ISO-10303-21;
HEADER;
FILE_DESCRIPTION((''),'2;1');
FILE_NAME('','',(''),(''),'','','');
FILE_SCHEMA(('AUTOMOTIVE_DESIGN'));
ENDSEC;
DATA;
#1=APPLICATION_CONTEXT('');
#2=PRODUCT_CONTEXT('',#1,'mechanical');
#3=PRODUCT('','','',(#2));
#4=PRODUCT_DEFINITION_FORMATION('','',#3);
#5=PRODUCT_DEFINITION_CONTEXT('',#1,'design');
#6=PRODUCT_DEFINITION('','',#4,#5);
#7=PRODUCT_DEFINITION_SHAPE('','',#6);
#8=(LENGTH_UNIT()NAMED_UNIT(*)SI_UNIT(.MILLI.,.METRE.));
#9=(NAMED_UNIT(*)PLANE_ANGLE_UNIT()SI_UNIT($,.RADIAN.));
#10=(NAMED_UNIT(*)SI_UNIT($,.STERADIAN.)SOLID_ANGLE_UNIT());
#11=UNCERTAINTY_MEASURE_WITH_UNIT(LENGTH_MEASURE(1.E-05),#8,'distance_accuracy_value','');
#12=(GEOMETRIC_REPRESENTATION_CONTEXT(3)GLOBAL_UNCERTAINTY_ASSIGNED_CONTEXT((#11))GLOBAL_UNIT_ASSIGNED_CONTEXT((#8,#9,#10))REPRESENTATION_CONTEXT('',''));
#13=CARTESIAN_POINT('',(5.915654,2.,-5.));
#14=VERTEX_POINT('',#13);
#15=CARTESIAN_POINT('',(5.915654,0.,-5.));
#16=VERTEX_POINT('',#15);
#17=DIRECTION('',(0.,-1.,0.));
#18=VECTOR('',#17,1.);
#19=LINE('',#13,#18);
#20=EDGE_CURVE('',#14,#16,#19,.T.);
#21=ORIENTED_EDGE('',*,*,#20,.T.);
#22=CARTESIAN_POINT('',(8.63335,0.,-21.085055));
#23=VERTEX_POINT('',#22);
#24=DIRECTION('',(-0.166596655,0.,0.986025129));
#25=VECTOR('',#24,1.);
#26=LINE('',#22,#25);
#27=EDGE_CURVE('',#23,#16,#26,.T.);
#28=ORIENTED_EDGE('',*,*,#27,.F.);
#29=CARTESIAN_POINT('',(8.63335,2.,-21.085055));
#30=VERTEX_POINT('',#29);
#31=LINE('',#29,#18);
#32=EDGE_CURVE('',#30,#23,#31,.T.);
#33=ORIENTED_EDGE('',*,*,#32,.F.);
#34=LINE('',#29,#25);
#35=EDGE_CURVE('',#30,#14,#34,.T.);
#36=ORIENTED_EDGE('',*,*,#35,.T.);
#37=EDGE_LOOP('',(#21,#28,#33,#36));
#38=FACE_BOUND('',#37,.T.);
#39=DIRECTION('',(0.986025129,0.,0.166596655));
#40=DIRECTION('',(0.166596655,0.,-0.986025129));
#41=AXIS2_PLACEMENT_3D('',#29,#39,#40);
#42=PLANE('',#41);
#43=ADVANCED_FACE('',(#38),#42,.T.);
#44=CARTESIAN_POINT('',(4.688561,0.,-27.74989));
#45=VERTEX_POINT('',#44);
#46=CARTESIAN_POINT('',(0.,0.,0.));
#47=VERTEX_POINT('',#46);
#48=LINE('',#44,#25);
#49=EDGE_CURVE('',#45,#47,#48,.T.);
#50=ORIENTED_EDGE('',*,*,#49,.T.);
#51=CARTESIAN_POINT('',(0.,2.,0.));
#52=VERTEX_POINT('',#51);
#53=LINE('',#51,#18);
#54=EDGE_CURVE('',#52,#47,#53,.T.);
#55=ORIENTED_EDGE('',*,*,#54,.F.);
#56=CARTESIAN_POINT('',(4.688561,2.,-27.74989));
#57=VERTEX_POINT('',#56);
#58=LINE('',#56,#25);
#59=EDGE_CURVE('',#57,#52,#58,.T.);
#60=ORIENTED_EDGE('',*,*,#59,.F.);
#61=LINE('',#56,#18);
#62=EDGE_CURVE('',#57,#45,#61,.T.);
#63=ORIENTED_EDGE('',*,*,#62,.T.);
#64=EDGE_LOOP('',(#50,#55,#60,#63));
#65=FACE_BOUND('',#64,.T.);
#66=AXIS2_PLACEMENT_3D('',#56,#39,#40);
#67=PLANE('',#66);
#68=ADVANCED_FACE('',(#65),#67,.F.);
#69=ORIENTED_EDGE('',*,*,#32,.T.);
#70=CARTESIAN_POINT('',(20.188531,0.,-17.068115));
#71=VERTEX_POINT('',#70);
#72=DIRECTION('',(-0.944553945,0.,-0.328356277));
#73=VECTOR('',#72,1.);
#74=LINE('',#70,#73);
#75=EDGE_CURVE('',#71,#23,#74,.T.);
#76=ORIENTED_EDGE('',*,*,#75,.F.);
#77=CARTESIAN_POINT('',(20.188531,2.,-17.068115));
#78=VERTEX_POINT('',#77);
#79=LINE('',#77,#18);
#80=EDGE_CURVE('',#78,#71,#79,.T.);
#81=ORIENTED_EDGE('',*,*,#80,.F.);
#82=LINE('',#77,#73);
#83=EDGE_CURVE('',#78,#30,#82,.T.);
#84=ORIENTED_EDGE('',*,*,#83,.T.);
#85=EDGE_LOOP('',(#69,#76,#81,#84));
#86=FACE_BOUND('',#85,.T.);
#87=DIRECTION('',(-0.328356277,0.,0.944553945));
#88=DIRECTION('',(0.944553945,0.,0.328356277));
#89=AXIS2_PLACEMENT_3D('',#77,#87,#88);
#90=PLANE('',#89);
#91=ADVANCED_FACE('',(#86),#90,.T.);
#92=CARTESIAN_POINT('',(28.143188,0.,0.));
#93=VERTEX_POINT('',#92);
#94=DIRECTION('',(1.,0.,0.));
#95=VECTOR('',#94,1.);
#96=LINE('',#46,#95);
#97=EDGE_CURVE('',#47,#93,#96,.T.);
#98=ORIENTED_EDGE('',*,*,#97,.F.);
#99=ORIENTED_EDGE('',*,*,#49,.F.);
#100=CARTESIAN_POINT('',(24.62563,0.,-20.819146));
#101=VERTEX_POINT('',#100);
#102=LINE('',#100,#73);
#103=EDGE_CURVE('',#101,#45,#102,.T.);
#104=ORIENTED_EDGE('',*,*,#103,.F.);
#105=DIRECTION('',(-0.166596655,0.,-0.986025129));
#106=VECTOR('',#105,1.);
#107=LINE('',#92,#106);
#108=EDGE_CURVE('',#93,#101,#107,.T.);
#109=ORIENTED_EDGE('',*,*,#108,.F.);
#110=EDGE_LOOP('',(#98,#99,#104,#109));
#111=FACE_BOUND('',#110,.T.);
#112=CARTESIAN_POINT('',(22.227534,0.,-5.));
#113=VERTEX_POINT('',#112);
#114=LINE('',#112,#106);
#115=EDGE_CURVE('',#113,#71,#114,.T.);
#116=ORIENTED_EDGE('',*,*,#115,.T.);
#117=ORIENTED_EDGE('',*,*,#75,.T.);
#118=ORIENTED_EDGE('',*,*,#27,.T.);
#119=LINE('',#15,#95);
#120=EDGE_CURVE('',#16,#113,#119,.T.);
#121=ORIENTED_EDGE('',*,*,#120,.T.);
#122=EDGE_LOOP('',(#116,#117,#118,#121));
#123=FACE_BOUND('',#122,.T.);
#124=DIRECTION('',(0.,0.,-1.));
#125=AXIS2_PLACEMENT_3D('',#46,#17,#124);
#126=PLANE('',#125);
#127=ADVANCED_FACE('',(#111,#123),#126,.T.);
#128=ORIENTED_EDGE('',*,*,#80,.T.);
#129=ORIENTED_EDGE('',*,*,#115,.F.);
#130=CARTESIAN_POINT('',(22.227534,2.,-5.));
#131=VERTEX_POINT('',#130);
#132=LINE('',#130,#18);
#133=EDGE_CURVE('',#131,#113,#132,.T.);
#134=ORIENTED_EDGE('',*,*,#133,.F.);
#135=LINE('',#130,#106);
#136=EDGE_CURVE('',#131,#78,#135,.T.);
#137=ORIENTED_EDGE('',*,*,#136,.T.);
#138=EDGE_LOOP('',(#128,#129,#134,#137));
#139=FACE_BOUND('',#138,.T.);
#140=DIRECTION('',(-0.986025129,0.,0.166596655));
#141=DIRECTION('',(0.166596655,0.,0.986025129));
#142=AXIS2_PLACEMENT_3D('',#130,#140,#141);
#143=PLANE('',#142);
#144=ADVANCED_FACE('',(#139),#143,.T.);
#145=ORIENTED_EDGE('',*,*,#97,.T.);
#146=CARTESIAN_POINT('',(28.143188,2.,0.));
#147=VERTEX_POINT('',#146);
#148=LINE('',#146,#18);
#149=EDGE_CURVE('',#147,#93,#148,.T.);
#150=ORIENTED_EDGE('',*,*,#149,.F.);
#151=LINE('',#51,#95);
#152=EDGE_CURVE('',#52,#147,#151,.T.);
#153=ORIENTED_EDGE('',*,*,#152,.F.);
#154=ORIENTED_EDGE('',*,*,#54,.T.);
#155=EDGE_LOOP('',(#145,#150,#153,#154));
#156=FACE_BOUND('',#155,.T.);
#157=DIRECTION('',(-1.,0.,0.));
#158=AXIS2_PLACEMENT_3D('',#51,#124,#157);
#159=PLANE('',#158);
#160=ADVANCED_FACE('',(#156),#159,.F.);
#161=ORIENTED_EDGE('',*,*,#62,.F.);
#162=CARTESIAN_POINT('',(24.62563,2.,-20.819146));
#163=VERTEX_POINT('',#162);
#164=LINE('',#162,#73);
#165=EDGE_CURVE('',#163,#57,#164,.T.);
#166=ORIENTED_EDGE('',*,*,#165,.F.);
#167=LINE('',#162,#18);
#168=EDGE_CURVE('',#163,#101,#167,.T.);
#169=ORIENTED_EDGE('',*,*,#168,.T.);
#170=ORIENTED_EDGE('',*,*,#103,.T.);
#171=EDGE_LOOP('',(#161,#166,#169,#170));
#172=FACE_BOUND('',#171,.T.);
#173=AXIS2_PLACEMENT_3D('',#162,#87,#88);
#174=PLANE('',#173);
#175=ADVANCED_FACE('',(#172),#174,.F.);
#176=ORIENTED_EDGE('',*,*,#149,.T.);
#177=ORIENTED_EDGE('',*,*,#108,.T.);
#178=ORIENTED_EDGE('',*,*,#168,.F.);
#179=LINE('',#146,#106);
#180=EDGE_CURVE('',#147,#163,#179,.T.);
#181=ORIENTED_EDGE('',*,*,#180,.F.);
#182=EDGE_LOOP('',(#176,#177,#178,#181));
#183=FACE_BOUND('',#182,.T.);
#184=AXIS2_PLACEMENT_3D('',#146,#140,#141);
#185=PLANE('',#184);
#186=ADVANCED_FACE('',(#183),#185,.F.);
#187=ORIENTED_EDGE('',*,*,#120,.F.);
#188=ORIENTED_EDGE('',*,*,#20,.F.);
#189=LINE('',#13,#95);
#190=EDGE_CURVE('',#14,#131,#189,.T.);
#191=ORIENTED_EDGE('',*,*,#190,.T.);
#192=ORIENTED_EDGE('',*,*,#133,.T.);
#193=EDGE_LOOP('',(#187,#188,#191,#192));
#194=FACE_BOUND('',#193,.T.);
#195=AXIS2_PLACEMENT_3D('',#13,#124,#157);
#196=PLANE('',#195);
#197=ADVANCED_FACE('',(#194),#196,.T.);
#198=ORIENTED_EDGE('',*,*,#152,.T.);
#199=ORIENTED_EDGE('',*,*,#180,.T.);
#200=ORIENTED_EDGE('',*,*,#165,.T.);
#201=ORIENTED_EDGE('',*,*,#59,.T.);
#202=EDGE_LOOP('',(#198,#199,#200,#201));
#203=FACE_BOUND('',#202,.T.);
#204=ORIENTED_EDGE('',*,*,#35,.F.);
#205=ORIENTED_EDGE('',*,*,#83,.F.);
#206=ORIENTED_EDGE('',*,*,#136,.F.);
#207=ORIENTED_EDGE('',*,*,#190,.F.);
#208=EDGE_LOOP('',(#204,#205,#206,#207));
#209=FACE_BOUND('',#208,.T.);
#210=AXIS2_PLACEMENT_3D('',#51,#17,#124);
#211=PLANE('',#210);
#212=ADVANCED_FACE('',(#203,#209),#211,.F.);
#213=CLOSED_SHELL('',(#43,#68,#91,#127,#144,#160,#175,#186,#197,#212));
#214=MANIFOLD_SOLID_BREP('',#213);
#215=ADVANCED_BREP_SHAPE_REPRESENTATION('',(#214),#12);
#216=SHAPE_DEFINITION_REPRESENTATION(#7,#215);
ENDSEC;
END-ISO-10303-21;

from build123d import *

# Parameters (mm, degrees)
BOSS_EXTRUDE1_DEPTH = 2


with BuildPart() as part:
    # Sketch1 → Boss-Extrude1 (new body)
    with BuildSketch(Plane(origin=(0, 0, 0), x_dir=(1, 0, 0), z_dir=(0, 1, 0))):
        Polygon((0, 0), (28.14318771, 0), (24.625630199, 20.819146034), (4.688560945, 27.749890283), align=None)
        Polygon((8.633349651, 21.08505535), (5.915653777, 5), (22.227533933, 5), (20.188531473, 17.0681154), align=None, mode=Mode.SUBTRACT)
    extrude(amount=BOSS_EXTRUDE1_DEPTH)


solid = part.part
